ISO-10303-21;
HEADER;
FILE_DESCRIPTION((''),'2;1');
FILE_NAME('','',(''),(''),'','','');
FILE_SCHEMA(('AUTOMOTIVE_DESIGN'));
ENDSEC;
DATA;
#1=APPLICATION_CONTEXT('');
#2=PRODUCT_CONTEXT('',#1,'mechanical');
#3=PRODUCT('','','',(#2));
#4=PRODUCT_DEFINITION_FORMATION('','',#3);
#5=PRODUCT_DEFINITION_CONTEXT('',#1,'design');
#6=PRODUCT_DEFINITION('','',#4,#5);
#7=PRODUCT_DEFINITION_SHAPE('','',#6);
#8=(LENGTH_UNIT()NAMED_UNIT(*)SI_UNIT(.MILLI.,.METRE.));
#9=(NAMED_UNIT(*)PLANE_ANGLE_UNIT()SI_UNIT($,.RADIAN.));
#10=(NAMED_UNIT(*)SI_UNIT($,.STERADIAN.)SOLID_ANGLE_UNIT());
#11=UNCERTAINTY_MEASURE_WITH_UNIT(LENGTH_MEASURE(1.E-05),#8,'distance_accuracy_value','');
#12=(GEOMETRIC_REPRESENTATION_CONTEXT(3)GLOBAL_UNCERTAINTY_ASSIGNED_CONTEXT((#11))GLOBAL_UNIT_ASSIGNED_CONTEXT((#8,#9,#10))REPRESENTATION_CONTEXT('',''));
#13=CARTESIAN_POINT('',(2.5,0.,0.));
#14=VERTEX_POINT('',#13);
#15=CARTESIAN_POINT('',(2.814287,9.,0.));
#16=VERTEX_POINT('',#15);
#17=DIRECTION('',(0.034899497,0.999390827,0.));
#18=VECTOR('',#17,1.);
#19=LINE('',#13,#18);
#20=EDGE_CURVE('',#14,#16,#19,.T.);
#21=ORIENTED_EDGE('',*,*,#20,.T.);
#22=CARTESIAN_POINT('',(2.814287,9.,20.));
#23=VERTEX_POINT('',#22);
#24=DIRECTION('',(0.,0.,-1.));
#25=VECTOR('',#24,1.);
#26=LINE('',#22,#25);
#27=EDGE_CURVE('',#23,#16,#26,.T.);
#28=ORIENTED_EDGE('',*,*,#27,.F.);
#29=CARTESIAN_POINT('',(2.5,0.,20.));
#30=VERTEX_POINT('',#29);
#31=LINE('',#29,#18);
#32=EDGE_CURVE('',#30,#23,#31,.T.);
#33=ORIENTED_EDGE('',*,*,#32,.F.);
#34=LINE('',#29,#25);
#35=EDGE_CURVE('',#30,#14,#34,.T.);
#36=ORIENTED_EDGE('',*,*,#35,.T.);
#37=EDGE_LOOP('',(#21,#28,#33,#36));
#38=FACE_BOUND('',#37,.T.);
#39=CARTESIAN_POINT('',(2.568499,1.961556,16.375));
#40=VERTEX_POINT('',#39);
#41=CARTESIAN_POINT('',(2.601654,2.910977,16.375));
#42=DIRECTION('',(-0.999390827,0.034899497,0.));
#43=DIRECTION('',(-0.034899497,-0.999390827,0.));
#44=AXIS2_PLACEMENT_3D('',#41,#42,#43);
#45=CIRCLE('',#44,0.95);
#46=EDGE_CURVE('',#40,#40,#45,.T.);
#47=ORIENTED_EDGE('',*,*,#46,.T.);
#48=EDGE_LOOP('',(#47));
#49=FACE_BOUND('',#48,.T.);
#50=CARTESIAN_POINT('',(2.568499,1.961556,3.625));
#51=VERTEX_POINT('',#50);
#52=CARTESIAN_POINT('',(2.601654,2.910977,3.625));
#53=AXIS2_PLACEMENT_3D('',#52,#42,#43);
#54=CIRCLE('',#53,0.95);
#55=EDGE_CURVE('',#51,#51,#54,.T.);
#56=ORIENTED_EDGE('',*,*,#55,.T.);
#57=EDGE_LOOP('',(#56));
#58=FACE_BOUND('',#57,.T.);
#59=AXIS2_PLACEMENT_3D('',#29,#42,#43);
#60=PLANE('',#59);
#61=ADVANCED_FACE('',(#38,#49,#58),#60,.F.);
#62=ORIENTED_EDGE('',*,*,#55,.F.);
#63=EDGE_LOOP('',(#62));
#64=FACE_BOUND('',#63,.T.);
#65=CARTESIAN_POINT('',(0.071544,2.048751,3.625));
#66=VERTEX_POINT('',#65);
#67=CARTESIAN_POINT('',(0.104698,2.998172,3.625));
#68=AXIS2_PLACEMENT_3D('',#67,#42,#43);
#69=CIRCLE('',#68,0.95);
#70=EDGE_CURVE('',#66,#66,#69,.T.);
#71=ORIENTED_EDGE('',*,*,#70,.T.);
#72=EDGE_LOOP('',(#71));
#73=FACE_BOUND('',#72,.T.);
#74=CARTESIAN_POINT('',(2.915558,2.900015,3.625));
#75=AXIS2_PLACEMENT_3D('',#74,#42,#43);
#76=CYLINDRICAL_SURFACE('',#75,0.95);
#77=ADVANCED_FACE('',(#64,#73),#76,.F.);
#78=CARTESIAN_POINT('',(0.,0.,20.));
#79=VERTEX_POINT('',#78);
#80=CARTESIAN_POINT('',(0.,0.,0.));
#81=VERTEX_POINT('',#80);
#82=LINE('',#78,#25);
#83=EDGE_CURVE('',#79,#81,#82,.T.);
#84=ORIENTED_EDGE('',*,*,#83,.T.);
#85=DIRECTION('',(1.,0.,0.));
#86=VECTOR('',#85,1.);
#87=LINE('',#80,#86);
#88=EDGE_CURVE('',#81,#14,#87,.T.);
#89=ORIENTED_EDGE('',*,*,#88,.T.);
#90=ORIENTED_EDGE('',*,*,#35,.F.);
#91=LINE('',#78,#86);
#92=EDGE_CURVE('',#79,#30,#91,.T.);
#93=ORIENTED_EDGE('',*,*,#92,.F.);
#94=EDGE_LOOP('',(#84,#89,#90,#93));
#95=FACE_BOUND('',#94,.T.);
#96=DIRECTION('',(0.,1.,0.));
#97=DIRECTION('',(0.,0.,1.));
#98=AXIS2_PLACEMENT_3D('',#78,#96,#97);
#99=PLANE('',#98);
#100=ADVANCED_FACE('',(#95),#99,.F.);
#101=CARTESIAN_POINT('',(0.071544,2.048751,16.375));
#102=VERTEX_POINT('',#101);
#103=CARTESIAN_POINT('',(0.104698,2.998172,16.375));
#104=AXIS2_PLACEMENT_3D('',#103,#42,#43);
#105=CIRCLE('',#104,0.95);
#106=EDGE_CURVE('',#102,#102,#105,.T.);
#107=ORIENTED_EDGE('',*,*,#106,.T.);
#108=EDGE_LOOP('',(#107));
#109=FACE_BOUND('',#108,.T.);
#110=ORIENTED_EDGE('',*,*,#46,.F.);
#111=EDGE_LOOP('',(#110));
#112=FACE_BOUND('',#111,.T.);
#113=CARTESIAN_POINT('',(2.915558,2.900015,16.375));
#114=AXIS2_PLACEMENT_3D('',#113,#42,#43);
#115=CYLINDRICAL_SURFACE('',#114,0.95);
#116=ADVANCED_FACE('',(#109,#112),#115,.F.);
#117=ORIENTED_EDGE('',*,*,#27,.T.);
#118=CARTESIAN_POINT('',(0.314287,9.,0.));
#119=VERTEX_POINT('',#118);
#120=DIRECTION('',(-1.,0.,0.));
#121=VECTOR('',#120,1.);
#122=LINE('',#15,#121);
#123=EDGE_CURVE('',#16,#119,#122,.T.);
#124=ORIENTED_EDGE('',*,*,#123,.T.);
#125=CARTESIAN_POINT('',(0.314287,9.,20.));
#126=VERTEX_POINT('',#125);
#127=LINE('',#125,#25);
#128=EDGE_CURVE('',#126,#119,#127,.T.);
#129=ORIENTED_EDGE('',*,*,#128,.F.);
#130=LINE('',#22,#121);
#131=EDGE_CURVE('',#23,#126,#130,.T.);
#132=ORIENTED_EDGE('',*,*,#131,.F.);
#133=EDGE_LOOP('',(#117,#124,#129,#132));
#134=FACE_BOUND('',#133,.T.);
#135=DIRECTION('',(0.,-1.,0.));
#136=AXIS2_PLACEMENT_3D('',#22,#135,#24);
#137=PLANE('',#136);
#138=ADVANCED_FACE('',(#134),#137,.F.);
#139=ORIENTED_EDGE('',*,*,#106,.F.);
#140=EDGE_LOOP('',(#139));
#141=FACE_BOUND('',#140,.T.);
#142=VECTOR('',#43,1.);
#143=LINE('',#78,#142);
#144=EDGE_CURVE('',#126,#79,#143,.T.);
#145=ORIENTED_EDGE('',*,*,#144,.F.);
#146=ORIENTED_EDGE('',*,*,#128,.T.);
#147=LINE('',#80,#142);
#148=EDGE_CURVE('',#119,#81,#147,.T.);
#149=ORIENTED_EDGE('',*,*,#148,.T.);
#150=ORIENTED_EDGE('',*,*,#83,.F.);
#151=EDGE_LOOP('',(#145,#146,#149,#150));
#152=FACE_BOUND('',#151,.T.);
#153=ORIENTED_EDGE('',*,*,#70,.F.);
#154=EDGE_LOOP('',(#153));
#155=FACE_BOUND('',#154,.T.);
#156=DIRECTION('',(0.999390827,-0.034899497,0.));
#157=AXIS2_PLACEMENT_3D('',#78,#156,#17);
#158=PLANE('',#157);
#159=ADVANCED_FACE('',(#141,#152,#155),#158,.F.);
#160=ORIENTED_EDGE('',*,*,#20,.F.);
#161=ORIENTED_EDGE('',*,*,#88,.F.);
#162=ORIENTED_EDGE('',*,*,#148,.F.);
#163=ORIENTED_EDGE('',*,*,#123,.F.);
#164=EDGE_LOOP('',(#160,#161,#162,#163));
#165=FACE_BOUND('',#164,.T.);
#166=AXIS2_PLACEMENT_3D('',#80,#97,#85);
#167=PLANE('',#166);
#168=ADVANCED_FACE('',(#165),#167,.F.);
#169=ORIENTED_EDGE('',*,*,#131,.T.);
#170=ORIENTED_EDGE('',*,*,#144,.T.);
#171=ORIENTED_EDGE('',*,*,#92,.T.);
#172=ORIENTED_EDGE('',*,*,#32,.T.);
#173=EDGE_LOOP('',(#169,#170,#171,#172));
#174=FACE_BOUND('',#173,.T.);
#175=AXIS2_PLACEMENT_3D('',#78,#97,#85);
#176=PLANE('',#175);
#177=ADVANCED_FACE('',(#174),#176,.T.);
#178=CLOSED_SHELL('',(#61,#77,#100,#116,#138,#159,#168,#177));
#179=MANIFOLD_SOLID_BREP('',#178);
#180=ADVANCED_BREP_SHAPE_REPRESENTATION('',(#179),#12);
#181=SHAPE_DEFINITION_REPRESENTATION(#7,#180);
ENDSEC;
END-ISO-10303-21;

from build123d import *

# Parameters (mm, degrees)
BOSS_EXTRUDE2_DEPTH = 20
SKETCH4_R           = 0.95
CUT_EXTRUDE1_DEPTH  = 3.812572538


with BuildPart() as part:
    # Sketch2 → Boss-Extrude2 (new body)
    with BuildSketch(Plane.XY):
        Polygon((0, 0), (2.5, 0), (2.814286925, 9), (0.314286925, 9), align=None)
    extrude(amount=BOSS_EXTRUDE2_DEPTH)

    # Sketch4 → Cut-Extrude1 (cut, through all)
    with BuildSketch(Plane(origin=(0, 0, 0), x_dir=(0, 0, 1), z_dir=(-0.999390827, 0.034899497, 0))):
        with Locations((3.625, 3)):
            Circle(SKETCH4_R)
        with Locations((16.375, 3)):
            Circle(SKETCH4_R)
    extrude(amount=-CUT_EXTRUDE1_DEPTH, mode=Mode.SUBTRACT)


solid = part.part
